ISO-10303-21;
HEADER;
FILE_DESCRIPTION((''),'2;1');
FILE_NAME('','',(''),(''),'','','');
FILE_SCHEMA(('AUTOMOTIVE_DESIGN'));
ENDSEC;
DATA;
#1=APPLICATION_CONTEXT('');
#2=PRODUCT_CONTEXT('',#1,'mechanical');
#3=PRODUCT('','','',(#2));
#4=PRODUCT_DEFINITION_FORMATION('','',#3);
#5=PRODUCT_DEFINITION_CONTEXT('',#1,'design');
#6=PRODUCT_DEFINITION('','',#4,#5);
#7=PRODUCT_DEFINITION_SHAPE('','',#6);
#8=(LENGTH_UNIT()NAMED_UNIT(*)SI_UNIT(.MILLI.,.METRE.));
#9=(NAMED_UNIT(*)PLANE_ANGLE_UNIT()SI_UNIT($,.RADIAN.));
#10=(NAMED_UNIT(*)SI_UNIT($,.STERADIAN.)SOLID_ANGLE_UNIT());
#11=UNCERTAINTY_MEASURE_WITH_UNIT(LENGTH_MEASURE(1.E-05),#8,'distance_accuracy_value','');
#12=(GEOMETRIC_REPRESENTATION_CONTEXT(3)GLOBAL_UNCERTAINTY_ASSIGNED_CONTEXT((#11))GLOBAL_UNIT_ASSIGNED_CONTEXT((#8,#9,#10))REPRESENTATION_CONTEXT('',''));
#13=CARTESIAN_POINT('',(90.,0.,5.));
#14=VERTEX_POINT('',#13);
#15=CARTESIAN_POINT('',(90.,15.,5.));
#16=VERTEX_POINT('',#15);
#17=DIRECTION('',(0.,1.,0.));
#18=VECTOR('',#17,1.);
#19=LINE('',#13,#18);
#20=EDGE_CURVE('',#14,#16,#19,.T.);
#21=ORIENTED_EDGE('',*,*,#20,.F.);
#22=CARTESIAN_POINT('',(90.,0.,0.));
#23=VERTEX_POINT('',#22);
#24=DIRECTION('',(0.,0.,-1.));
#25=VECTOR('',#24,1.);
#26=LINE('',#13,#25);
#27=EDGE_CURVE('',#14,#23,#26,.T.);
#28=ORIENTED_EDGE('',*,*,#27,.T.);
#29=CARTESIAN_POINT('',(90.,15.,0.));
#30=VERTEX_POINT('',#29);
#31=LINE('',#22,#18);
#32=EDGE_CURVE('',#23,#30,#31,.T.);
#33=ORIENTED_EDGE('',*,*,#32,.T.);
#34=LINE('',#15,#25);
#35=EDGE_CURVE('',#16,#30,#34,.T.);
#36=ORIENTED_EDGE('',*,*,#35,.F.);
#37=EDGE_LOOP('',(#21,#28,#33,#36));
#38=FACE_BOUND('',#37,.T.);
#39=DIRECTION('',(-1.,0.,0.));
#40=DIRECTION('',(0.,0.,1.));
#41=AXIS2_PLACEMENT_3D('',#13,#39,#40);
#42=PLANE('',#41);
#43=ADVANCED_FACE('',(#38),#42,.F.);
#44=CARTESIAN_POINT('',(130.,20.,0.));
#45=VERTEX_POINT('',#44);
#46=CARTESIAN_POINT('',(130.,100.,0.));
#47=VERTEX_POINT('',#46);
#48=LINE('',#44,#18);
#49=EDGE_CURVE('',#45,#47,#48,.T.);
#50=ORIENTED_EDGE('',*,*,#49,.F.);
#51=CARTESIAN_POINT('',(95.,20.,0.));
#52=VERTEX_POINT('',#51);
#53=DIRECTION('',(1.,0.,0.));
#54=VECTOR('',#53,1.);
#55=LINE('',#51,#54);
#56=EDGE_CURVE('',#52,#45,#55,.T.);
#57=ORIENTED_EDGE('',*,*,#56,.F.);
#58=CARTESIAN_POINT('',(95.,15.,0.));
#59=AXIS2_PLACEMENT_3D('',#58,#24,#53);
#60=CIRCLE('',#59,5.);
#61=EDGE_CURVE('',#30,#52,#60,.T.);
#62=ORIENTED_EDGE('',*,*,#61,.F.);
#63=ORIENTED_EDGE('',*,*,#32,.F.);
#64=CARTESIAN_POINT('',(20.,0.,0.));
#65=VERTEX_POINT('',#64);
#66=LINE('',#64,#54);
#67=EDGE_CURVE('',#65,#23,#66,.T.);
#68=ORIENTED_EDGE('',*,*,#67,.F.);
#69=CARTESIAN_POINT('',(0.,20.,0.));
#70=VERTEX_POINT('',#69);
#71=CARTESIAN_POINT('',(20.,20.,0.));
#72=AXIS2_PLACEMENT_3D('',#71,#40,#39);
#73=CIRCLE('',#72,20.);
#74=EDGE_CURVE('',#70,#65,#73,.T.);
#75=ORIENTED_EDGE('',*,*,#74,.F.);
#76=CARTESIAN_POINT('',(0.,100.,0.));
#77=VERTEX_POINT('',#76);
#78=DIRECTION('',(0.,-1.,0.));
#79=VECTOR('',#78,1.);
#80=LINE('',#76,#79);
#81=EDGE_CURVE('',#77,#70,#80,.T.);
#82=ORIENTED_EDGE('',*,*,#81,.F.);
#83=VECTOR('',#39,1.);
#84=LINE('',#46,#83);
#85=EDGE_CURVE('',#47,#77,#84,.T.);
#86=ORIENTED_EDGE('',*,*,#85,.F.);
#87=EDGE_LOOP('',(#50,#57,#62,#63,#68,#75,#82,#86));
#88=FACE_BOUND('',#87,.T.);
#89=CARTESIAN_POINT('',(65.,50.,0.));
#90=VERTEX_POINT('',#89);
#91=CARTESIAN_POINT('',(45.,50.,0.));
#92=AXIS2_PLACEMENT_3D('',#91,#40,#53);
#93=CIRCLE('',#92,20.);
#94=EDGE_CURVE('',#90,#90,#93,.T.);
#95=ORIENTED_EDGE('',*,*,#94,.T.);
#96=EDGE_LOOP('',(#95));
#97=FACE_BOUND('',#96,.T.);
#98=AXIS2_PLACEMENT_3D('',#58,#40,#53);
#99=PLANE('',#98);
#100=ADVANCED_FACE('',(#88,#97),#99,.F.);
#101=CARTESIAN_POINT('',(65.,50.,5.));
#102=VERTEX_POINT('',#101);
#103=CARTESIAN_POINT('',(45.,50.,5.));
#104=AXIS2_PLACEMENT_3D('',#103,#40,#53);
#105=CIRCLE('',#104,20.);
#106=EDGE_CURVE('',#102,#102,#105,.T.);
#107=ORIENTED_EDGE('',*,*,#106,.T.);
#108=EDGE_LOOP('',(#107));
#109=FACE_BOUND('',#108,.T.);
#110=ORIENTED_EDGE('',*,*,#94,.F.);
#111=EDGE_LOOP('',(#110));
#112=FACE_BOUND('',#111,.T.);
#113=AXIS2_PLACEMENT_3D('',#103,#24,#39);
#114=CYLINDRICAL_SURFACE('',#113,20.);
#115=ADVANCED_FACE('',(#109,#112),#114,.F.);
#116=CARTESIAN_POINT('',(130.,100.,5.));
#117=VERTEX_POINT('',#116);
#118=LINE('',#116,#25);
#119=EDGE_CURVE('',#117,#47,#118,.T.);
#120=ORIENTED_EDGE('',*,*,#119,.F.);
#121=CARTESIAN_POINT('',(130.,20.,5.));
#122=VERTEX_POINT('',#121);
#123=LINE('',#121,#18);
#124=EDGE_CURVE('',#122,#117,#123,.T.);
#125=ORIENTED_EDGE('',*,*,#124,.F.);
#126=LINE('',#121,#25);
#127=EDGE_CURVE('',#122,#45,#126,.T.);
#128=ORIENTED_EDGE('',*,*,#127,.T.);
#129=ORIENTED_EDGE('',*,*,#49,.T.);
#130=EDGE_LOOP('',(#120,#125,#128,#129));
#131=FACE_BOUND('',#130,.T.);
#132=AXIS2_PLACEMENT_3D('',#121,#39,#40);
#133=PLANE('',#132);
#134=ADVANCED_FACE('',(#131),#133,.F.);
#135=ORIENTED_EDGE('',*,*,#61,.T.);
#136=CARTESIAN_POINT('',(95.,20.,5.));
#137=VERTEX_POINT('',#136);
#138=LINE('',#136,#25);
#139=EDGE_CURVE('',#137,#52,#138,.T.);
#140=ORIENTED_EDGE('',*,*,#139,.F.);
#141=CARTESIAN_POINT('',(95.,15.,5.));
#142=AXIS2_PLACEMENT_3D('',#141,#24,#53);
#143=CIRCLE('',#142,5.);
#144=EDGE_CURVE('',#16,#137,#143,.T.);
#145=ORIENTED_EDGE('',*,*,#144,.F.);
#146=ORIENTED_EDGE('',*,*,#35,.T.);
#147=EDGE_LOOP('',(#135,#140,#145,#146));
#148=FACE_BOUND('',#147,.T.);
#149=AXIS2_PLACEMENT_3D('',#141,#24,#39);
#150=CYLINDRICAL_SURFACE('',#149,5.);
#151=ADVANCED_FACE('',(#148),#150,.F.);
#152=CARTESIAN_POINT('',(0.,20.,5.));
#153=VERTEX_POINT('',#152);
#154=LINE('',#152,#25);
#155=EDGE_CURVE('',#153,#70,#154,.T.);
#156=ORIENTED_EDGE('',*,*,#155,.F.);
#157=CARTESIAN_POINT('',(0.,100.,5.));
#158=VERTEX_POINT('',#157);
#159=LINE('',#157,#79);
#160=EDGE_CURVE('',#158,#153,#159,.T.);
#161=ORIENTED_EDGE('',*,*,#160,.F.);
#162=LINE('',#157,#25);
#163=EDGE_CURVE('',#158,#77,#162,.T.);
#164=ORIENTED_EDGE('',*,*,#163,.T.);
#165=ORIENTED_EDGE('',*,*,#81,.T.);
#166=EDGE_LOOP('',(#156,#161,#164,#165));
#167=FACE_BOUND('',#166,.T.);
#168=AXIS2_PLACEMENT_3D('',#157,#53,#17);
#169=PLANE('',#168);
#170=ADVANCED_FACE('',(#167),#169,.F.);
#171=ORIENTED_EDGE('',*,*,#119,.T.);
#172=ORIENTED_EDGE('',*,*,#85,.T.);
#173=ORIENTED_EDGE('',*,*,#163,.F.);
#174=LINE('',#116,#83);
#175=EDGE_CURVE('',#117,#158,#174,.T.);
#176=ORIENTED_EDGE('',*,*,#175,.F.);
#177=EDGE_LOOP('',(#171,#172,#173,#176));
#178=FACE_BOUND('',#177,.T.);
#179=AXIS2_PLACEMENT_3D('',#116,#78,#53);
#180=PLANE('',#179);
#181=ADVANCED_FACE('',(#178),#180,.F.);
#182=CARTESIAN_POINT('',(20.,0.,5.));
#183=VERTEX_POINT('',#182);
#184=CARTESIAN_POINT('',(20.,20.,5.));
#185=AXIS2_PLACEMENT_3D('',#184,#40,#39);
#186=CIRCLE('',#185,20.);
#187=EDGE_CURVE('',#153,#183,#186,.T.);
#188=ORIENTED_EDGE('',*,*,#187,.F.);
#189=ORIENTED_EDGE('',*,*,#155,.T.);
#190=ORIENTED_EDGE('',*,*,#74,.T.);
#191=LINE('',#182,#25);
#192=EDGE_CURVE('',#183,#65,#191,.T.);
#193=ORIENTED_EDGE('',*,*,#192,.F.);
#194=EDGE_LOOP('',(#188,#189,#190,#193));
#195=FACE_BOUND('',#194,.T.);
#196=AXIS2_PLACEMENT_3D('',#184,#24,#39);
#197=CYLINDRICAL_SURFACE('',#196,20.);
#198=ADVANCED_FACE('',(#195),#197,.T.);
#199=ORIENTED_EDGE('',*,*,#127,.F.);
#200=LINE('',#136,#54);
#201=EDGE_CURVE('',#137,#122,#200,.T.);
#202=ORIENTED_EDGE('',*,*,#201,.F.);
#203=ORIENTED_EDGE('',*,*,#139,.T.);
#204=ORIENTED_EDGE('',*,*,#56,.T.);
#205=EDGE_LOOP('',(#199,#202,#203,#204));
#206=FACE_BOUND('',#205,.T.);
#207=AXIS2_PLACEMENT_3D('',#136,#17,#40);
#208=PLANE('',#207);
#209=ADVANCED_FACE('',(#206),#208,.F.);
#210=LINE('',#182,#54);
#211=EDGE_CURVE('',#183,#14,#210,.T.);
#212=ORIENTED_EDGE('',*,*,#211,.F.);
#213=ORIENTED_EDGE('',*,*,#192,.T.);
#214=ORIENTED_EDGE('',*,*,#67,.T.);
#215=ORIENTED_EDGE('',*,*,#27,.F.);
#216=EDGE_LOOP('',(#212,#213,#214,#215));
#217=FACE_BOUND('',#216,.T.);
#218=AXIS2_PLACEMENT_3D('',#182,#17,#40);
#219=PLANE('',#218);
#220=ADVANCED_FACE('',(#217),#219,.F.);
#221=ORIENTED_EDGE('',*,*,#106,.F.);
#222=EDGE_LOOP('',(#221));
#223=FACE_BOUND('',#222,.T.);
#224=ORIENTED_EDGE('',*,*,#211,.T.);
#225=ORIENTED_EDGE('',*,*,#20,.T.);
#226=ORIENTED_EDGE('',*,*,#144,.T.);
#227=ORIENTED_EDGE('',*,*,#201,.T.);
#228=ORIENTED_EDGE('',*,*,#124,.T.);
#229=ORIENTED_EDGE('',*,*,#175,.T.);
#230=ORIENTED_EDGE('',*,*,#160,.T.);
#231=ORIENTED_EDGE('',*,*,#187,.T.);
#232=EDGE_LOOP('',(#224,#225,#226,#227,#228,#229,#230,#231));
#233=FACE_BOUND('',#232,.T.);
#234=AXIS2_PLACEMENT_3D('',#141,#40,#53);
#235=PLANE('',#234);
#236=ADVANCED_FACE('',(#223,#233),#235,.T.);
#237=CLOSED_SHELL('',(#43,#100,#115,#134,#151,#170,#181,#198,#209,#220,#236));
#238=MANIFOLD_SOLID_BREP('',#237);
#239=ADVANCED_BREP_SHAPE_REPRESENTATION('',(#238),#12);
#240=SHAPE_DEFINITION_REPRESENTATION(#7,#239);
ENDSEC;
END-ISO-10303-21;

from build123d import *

# Parameters (mm, degrees)
SKIZZE1_R                       = 20
AUFSATZ_LINEAR_AUSTRAGEN1_DEPTH = 5


with BuildPart() as part:
    # Skizze1 → Aufsatz-Linear austragen1 (new body)
    with BuildSketch(Plane.XY):
        with BuildLine():
            Line((20, 0), (90, 0))
            Line((90, 0), (90, 15))
            ThreePointArc((90, 15), (91.464466094, 18.535533906), (95, 20))
            Line((95, 20), (130, 20))
            Line((130, 20), (130, 100))
            Line((130, 100), (0, 100))
            Line((0, 100), (0, 20))
            ThreePointArc((0, 20), (5.857864376, 5.857864376), (20, 0))
        make_face()
        with Locations((45, 50)):
            Circle(SKIZZE1_R, mode=Mode.SUBTRACT)
    extrude(amount=AUFSATZ_LINEAR_AUSTRAGEN1_DEPTH)


solid = part.part
